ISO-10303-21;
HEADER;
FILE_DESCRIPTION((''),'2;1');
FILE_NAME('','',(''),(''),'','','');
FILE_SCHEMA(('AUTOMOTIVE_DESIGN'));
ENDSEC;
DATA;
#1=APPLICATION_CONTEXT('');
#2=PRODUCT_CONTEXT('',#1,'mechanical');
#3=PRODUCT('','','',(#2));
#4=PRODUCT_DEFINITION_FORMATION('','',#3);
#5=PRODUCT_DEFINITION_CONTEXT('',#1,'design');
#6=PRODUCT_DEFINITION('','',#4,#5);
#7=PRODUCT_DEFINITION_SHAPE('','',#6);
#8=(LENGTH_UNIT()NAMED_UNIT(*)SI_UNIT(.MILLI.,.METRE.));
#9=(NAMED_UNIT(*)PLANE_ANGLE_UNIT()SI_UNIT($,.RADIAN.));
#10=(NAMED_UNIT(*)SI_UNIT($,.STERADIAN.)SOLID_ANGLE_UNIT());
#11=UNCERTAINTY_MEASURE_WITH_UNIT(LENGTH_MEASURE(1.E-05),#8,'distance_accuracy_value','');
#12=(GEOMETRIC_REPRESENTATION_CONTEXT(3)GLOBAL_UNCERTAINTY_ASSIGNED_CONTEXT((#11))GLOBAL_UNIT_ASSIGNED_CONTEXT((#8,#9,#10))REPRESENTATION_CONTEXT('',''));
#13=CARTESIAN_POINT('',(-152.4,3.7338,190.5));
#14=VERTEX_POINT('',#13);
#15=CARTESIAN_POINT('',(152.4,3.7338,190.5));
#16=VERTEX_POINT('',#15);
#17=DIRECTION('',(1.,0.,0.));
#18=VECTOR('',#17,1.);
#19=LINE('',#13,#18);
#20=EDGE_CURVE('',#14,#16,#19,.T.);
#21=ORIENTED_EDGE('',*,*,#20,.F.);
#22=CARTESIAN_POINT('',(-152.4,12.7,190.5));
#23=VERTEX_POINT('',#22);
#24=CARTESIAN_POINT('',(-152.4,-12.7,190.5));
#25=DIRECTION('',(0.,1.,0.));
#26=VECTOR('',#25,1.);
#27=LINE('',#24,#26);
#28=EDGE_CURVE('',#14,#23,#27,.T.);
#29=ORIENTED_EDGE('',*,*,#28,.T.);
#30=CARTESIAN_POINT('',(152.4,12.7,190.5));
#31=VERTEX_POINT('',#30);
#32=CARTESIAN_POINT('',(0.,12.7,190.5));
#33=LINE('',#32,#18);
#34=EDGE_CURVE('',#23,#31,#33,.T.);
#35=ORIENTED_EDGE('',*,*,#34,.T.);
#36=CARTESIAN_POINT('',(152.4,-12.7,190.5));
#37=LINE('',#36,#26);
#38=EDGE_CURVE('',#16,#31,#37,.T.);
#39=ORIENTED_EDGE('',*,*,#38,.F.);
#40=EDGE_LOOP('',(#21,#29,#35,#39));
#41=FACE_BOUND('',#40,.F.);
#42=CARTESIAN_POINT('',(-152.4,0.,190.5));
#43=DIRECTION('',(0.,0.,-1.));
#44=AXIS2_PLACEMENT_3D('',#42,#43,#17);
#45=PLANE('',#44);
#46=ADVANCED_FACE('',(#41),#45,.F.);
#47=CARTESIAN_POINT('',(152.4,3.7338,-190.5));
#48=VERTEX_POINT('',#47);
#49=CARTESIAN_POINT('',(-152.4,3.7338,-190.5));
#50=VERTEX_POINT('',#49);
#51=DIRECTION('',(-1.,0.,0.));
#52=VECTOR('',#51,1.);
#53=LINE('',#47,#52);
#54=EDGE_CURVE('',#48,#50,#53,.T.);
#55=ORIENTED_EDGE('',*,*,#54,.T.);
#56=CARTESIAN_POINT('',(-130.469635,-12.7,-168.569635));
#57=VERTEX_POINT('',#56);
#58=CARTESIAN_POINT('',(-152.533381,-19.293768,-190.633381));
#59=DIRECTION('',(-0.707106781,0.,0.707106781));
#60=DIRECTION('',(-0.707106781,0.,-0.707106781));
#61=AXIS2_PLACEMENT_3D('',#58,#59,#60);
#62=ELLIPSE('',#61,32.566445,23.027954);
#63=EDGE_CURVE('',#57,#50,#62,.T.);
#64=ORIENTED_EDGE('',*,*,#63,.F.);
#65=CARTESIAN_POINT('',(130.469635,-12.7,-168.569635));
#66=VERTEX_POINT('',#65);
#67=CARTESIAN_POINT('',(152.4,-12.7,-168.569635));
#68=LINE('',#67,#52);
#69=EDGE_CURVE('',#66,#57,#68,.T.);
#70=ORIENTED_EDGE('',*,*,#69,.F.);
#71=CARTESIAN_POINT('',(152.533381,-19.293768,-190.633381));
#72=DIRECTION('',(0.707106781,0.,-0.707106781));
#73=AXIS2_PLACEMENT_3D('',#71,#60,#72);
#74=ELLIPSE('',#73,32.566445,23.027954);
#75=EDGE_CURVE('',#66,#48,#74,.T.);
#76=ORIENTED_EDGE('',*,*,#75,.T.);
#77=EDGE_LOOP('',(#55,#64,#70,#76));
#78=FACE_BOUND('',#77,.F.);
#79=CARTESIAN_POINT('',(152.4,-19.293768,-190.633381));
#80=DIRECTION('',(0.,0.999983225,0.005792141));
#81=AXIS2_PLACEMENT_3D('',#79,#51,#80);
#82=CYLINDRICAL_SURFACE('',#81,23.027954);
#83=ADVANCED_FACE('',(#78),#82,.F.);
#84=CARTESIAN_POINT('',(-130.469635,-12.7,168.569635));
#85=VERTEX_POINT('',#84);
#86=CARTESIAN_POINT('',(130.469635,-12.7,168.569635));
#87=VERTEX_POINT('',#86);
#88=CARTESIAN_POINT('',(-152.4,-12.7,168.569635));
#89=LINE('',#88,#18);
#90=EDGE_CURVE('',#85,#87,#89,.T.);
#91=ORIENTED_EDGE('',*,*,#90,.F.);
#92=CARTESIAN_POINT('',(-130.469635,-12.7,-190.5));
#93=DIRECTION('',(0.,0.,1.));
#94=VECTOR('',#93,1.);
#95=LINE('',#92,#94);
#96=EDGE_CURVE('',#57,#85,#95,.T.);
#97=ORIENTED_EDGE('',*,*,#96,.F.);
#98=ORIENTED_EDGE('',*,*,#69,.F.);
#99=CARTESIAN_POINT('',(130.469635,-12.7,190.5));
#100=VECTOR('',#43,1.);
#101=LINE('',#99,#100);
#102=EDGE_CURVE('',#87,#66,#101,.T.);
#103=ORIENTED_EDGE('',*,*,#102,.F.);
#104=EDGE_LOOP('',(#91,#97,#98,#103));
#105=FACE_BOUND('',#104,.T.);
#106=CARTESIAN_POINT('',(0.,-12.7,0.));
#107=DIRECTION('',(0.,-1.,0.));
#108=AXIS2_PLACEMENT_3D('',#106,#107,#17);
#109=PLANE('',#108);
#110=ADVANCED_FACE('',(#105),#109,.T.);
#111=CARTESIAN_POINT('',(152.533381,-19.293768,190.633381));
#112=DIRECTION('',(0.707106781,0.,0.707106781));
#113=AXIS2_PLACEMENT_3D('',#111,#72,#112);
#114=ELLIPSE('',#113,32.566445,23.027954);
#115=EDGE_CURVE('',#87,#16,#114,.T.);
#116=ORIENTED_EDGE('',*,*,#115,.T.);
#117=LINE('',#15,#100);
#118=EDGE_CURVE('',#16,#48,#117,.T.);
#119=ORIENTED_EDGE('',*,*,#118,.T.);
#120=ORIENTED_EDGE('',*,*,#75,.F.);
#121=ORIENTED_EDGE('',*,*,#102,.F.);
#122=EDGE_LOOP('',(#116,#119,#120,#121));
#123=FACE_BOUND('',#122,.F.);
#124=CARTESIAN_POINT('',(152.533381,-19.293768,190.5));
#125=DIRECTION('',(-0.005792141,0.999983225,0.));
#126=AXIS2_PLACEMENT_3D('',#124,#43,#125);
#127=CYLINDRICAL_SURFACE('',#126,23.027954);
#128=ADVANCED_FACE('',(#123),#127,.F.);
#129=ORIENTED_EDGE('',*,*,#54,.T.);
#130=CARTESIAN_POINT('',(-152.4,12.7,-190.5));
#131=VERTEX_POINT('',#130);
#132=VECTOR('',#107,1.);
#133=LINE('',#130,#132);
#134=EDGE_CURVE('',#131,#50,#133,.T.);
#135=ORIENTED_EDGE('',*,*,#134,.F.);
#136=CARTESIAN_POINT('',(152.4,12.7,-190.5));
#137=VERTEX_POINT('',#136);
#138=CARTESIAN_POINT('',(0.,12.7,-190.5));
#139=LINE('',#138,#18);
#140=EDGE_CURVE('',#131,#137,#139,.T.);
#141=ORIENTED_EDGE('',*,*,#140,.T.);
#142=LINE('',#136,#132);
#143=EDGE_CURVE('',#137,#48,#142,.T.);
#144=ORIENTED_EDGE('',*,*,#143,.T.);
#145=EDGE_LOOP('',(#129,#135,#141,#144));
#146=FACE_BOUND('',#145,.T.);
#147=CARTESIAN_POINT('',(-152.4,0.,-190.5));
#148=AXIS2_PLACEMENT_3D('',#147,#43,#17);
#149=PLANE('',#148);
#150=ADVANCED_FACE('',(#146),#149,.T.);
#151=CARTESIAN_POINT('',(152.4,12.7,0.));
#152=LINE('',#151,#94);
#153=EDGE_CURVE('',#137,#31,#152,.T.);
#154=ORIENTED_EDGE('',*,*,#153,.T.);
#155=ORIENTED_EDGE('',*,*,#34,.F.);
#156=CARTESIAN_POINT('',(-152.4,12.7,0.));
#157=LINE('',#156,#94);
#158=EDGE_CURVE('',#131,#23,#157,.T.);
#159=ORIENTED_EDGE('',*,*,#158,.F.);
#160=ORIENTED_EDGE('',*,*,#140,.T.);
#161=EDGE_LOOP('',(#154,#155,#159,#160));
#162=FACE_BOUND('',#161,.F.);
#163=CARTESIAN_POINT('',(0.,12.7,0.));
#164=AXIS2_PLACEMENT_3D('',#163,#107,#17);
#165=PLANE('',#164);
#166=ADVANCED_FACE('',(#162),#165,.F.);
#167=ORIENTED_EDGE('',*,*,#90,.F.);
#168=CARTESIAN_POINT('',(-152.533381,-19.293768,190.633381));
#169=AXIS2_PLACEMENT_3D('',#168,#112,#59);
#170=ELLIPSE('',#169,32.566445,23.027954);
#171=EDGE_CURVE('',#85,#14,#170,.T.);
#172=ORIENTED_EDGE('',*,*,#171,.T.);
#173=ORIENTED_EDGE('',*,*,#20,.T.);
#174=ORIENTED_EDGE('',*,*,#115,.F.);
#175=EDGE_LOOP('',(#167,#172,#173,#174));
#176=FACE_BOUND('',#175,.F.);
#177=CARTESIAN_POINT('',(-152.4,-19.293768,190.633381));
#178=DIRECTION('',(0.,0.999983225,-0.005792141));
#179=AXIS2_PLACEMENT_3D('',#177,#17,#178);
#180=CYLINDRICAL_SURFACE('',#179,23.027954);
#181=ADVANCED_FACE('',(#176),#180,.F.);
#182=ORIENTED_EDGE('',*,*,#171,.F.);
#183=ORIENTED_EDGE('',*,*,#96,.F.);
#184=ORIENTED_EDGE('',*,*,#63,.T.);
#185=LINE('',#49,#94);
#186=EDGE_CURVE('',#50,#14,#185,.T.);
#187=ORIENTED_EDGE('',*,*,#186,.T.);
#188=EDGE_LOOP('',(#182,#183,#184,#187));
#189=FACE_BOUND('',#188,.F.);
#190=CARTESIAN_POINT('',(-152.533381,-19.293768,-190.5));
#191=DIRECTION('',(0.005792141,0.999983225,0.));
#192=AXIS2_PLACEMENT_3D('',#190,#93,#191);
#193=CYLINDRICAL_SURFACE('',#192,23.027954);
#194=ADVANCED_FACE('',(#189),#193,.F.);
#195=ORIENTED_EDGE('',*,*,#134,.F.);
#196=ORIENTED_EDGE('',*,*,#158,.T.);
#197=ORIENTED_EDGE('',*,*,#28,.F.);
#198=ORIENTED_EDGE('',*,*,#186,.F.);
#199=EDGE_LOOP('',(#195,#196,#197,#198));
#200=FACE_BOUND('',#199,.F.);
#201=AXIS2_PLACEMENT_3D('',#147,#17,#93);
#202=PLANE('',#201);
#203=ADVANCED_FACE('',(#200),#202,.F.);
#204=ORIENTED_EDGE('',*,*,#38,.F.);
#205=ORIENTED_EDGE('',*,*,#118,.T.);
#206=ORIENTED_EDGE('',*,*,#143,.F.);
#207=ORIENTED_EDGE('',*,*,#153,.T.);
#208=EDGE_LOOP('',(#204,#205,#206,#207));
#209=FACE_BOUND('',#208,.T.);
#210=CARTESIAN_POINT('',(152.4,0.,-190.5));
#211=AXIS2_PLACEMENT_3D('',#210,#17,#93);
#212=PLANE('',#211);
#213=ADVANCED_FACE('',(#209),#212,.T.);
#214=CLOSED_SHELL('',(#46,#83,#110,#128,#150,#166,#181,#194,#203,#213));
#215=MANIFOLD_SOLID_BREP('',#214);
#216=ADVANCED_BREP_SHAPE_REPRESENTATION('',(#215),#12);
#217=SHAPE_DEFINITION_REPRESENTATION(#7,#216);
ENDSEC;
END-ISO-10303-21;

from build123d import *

# Parameters (mm, degrees)
F0_W     = 304.8
F0_H     = 381
F1_DEPTH = 12.7


with BuildPart() as f1:
    # F0 (on Front) → F1 (new body, symmetric)
    with BuildSketch(Plane.XZ):
        Rectangle(F0_W, F0_H)
    extrude(amount=F1_DEPTH, both=True)

    # F3: sweep along a path in F3_path
    with BuildLine(Plane(origin=(-152.4, -12.7, -190.5), x_dir=(0, 0, 1), z_dir=(0, -1, 0))) as f3_path:
        Line((0, 0), (381, 0))
        Line((381, 0), (381, -304.8))
        Line((381, -304.8), (0, -304.8))
        Line((0, -304.8), (0, 0))
    # F2 (on face) → F3 (sweep, cut)
    with BuildSketch(Plane(origin=(0, 0, -190.5), x_dir=(1, 0, 0), z_dir=(0, 0, -1))):
        with BuildLine():
            Line((-152.4, 12.7), (-152.4, -3.7338000257))
            ThreePointArc((-152.4, -3.7338000257), (-138.724124852, 0.8657698417), (-130.469635129, 12.7))
            Line((-130.469635129, 12.7), (-152.4, 12.7))
        make_face()
    sweep(path=f3_path.line, transition=Transition.RIGHT, mode=Mode.SUBTRACT)


solid = f1.part
